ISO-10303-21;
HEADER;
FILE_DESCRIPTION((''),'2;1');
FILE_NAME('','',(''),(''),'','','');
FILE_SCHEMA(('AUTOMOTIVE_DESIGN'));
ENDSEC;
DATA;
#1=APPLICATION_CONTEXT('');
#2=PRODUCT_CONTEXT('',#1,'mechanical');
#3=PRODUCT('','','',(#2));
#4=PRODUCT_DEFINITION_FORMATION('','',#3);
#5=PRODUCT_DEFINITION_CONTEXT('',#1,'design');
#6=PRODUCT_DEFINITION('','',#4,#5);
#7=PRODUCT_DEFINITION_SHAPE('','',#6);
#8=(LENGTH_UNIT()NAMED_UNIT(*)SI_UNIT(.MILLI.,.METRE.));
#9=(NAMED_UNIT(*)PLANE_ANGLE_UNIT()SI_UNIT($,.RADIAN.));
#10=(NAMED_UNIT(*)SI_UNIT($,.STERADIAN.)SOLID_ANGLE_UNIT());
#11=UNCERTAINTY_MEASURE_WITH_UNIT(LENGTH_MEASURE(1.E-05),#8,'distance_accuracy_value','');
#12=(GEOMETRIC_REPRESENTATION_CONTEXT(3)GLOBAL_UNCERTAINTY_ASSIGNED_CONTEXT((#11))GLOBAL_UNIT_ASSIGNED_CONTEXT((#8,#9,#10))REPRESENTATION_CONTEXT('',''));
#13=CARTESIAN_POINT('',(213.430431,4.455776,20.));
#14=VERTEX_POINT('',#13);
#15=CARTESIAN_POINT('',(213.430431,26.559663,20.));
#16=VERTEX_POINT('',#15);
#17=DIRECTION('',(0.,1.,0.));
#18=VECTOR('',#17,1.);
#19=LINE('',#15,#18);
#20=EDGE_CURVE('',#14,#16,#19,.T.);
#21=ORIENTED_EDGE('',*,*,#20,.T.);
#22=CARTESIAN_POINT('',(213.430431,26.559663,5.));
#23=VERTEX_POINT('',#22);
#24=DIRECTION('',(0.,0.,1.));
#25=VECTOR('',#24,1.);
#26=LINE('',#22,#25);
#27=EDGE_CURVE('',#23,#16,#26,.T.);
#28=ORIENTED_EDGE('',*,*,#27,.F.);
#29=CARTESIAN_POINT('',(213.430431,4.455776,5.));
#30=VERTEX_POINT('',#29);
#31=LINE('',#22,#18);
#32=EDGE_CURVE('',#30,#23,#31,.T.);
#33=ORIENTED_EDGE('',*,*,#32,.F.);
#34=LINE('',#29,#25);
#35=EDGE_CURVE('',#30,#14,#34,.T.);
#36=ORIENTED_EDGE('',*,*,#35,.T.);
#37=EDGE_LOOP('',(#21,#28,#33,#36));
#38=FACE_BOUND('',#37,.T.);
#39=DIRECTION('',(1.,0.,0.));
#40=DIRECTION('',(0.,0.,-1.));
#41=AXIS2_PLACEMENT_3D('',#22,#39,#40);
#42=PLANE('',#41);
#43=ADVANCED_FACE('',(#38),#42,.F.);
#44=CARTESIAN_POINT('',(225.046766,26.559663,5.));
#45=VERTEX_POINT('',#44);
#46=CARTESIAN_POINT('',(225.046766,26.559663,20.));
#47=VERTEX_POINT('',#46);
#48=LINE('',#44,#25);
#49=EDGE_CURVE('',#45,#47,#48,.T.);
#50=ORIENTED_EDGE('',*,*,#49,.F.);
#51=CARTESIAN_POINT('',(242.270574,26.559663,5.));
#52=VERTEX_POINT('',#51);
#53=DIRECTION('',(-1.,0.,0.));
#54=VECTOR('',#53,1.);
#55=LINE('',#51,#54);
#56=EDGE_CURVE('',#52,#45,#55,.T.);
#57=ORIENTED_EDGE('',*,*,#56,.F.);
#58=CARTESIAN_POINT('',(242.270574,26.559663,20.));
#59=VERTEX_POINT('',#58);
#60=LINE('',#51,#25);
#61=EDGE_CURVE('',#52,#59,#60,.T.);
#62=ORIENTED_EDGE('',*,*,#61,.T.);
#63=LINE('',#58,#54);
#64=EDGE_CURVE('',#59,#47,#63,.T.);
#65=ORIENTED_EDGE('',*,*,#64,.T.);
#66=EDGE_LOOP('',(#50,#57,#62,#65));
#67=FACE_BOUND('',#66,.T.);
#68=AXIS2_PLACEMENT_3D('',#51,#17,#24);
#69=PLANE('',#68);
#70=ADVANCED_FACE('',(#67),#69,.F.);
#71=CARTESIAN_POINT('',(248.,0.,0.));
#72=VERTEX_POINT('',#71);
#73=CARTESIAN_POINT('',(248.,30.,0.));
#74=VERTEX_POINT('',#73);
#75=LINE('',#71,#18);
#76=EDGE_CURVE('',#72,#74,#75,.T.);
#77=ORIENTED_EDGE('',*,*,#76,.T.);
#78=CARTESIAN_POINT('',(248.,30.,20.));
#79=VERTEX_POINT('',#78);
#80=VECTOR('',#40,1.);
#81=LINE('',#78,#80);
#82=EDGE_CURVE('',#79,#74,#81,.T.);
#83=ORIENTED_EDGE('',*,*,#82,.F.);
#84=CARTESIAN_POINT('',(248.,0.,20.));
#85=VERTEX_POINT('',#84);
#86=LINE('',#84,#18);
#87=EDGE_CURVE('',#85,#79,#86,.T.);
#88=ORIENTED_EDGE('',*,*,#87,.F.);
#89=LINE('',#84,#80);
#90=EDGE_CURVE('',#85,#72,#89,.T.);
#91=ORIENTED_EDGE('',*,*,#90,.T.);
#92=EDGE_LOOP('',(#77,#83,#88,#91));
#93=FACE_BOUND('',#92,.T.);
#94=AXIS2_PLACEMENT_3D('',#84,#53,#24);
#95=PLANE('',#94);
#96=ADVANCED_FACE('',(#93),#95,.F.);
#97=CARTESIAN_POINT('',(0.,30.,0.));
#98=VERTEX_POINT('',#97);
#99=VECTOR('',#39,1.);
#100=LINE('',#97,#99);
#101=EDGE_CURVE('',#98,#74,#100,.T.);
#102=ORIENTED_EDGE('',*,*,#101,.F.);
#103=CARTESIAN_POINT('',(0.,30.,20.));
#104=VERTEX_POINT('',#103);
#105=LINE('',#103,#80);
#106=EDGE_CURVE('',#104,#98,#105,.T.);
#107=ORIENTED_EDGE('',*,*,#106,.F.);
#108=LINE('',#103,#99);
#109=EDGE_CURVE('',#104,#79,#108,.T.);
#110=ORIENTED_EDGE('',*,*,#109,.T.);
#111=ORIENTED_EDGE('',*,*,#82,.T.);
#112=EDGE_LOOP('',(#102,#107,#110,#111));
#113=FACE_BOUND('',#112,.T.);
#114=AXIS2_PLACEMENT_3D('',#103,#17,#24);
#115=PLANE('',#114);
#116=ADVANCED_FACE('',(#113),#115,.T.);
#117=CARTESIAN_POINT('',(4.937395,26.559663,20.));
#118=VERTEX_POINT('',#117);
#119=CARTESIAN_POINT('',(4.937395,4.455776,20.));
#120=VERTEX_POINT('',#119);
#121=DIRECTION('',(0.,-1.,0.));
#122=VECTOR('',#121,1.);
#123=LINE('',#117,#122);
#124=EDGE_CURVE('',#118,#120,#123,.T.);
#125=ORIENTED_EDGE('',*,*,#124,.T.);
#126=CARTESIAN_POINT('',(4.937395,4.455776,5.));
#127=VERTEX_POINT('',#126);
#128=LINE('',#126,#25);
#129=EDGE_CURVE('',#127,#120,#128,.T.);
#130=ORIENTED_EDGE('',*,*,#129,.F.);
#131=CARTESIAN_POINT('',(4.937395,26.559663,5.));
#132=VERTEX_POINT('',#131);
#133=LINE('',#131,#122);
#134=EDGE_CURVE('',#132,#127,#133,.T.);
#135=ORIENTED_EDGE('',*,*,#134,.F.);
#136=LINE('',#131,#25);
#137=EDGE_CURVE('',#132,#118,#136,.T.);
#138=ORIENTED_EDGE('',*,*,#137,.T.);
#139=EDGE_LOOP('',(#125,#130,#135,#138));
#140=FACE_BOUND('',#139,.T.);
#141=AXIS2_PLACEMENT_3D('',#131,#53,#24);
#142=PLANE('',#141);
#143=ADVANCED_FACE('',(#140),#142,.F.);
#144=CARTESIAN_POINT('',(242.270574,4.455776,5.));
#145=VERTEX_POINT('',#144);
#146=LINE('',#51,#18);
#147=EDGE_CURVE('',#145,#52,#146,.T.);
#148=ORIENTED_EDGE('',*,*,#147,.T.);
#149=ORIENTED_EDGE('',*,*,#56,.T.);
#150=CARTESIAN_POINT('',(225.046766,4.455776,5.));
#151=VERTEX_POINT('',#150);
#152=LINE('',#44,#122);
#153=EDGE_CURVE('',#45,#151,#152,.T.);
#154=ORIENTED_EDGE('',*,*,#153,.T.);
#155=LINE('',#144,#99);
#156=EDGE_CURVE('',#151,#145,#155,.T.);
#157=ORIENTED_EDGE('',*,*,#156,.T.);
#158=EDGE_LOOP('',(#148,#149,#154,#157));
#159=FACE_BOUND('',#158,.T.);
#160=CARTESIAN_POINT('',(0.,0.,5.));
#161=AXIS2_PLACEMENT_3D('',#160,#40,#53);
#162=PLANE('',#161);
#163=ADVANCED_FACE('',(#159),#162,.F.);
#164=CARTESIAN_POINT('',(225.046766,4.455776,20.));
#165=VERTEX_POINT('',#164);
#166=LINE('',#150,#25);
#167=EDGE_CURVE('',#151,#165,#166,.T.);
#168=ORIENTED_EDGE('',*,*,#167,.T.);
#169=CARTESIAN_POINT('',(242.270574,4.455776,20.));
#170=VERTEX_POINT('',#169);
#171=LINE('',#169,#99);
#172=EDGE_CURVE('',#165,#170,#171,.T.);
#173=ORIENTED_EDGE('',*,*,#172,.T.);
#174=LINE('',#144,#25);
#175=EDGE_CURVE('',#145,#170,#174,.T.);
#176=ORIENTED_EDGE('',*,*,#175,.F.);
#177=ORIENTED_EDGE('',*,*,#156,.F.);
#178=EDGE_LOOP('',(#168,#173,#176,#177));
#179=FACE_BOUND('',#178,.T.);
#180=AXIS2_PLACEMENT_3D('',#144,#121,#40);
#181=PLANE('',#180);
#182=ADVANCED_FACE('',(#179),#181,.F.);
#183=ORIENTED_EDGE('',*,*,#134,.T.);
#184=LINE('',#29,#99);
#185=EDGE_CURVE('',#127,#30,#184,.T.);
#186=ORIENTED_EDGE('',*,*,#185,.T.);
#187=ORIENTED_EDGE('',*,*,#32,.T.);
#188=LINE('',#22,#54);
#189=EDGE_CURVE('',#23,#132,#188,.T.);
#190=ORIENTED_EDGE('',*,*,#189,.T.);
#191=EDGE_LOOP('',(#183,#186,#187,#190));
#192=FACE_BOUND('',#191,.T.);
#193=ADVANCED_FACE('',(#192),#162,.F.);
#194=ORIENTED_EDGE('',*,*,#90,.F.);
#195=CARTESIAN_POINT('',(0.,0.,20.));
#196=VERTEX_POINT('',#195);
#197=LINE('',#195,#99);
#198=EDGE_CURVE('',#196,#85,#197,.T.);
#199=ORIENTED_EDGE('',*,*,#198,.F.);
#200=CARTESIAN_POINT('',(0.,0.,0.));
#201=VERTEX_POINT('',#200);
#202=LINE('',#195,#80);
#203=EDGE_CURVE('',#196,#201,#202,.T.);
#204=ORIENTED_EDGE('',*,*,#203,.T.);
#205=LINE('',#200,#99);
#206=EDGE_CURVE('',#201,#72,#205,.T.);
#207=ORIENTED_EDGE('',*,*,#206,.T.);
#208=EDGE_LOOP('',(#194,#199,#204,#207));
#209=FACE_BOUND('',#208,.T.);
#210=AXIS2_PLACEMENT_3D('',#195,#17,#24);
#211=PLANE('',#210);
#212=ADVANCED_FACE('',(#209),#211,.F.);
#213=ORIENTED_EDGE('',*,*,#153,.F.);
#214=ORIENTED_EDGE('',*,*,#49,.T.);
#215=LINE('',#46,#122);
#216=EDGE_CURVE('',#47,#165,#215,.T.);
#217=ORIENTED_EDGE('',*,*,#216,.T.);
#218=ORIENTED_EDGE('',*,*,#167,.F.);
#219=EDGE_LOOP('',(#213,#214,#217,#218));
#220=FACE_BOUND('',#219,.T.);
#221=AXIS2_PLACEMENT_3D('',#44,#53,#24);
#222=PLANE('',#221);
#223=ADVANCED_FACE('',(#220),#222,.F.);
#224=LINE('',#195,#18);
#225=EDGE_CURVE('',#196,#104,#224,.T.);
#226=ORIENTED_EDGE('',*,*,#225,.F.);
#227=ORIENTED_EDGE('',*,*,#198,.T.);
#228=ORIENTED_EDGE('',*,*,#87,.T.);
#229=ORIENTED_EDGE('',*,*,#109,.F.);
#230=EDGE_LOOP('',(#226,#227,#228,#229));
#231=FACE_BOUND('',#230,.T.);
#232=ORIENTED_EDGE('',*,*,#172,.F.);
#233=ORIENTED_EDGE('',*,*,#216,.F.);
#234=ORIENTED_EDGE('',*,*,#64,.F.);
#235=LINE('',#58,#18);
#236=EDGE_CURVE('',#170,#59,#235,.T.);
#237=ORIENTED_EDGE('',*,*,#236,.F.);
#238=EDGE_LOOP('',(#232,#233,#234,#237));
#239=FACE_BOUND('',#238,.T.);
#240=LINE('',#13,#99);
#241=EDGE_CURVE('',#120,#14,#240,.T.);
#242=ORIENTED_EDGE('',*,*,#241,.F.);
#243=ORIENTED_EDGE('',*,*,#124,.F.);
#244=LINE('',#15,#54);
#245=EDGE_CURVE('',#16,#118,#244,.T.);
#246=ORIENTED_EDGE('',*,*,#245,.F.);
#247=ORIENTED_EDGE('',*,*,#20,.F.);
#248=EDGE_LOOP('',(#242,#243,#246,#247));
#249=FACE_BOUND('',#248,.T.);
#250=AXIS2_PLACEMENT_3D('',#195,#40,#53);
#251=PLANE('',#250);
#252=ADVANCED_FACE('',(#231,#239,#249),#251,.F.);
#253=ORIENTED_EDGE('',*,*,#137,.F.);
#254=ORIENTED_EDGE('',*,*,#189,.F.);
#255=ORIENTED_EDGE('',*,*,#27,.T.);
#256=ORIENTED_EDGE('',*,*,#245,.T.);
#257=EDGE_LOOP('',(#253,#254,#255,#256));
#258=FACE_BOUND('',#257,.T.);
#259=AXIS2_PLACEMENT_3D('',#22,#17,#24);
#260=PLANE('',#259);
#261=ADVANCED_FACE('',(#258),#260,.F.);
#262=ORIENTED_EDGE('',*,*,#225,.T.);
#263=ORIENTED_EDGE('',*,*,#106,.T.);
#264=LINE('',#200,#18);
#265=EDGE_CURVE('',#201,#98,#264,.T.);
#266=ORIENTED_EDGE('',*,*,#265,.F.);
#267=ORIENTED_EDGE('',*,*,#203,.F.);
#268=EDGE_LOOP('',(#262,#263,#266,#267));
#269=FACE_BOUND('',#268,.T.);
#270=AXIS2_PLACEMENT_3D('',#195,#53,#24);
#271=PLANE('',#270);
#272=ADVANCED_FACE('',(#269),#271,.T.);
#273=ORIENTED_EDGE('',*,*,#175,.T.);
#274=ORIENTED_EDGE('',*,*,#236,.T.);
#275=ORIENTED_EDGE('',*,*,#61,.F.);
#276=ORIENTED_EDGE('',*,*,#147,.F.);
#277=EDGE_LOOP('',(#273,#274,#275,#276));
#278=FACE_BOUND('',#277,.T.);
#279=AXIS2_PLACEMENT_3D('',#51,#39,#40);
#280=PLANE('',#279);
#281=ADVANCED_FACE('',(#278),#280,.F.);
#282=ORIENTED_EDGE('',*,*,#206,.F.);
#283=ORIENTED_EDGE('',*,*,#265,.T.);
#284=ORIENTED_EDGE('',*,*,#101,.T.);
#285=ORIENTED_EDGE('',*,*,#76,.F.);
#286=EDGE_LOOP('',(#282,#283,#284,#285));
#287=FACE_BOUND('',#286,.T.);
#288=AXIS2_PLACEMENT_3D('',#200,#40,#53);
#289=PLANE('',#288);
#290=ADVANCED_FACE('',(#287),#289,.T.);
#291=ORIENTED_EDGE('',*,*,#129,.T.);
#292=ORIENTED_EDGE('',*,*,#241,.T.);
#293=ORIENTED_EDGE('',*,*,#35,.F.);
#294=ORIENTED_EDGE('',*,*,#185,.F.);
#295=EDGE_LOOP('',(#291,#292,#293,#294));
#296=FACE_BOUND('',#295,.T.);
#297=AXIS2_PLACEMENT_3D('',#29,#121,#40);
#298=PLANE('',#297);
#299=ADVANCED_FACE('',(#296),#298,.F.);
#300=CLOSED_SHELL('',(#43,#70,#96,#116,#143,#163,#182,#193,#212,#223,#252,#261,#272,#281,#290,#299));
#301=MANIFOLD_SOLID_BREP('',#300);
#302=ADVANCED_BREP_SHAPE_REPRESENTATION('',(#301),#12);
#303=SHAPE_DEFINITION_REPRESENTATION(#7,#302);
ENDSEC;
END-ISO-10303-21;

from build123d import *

# Parameters (mm, degrees)
SKIZZE3_W                       = 248
SKIZZE3_H                       = 30
AUFSATZ_LINEAR_AUSTRAGEN2_DEPTH = 20
SKIZZE4_W                       = 17.223807704
SKIZZE4_H                       = 22.103886552
SKIZZE4_W_2                     = 208.49303605
SCHNITT_LINEAR_AUSTRAGEN1_DEPTH = 15


with BuildPart() as part:
    # Skizze3 → Aufsatz-Linear austragen2 (new body)
    with BuildSketch(Plane.XY):
        with Locations((124, 15)):
            Rectangle(SKIZZE3_W, SKIZZE3_H)
    extrude(amount=AUFSATZ_LINEAR_AUSTRAGEN2_DEPTH)

    # Skizze4 → Schnitt-Linear austragen1 (cut)
    with BuildSketch(Plane.XY.offset(20)):
        with Locations((233.658670334, 15.507719538)):
            Rectangle(SKIZZE4_W, SKIZZE4_H)
        with Locations((109.18391288, 15.507719538)):
            Rectangle(SKIZZE4_W_2, SKIZZE4_H)
    extrude(amount=-SCHNITT_LINEAR_AUSTRAGEN1_DEPTH, mode=Mode.SUBTRACT)


solid = part.part
